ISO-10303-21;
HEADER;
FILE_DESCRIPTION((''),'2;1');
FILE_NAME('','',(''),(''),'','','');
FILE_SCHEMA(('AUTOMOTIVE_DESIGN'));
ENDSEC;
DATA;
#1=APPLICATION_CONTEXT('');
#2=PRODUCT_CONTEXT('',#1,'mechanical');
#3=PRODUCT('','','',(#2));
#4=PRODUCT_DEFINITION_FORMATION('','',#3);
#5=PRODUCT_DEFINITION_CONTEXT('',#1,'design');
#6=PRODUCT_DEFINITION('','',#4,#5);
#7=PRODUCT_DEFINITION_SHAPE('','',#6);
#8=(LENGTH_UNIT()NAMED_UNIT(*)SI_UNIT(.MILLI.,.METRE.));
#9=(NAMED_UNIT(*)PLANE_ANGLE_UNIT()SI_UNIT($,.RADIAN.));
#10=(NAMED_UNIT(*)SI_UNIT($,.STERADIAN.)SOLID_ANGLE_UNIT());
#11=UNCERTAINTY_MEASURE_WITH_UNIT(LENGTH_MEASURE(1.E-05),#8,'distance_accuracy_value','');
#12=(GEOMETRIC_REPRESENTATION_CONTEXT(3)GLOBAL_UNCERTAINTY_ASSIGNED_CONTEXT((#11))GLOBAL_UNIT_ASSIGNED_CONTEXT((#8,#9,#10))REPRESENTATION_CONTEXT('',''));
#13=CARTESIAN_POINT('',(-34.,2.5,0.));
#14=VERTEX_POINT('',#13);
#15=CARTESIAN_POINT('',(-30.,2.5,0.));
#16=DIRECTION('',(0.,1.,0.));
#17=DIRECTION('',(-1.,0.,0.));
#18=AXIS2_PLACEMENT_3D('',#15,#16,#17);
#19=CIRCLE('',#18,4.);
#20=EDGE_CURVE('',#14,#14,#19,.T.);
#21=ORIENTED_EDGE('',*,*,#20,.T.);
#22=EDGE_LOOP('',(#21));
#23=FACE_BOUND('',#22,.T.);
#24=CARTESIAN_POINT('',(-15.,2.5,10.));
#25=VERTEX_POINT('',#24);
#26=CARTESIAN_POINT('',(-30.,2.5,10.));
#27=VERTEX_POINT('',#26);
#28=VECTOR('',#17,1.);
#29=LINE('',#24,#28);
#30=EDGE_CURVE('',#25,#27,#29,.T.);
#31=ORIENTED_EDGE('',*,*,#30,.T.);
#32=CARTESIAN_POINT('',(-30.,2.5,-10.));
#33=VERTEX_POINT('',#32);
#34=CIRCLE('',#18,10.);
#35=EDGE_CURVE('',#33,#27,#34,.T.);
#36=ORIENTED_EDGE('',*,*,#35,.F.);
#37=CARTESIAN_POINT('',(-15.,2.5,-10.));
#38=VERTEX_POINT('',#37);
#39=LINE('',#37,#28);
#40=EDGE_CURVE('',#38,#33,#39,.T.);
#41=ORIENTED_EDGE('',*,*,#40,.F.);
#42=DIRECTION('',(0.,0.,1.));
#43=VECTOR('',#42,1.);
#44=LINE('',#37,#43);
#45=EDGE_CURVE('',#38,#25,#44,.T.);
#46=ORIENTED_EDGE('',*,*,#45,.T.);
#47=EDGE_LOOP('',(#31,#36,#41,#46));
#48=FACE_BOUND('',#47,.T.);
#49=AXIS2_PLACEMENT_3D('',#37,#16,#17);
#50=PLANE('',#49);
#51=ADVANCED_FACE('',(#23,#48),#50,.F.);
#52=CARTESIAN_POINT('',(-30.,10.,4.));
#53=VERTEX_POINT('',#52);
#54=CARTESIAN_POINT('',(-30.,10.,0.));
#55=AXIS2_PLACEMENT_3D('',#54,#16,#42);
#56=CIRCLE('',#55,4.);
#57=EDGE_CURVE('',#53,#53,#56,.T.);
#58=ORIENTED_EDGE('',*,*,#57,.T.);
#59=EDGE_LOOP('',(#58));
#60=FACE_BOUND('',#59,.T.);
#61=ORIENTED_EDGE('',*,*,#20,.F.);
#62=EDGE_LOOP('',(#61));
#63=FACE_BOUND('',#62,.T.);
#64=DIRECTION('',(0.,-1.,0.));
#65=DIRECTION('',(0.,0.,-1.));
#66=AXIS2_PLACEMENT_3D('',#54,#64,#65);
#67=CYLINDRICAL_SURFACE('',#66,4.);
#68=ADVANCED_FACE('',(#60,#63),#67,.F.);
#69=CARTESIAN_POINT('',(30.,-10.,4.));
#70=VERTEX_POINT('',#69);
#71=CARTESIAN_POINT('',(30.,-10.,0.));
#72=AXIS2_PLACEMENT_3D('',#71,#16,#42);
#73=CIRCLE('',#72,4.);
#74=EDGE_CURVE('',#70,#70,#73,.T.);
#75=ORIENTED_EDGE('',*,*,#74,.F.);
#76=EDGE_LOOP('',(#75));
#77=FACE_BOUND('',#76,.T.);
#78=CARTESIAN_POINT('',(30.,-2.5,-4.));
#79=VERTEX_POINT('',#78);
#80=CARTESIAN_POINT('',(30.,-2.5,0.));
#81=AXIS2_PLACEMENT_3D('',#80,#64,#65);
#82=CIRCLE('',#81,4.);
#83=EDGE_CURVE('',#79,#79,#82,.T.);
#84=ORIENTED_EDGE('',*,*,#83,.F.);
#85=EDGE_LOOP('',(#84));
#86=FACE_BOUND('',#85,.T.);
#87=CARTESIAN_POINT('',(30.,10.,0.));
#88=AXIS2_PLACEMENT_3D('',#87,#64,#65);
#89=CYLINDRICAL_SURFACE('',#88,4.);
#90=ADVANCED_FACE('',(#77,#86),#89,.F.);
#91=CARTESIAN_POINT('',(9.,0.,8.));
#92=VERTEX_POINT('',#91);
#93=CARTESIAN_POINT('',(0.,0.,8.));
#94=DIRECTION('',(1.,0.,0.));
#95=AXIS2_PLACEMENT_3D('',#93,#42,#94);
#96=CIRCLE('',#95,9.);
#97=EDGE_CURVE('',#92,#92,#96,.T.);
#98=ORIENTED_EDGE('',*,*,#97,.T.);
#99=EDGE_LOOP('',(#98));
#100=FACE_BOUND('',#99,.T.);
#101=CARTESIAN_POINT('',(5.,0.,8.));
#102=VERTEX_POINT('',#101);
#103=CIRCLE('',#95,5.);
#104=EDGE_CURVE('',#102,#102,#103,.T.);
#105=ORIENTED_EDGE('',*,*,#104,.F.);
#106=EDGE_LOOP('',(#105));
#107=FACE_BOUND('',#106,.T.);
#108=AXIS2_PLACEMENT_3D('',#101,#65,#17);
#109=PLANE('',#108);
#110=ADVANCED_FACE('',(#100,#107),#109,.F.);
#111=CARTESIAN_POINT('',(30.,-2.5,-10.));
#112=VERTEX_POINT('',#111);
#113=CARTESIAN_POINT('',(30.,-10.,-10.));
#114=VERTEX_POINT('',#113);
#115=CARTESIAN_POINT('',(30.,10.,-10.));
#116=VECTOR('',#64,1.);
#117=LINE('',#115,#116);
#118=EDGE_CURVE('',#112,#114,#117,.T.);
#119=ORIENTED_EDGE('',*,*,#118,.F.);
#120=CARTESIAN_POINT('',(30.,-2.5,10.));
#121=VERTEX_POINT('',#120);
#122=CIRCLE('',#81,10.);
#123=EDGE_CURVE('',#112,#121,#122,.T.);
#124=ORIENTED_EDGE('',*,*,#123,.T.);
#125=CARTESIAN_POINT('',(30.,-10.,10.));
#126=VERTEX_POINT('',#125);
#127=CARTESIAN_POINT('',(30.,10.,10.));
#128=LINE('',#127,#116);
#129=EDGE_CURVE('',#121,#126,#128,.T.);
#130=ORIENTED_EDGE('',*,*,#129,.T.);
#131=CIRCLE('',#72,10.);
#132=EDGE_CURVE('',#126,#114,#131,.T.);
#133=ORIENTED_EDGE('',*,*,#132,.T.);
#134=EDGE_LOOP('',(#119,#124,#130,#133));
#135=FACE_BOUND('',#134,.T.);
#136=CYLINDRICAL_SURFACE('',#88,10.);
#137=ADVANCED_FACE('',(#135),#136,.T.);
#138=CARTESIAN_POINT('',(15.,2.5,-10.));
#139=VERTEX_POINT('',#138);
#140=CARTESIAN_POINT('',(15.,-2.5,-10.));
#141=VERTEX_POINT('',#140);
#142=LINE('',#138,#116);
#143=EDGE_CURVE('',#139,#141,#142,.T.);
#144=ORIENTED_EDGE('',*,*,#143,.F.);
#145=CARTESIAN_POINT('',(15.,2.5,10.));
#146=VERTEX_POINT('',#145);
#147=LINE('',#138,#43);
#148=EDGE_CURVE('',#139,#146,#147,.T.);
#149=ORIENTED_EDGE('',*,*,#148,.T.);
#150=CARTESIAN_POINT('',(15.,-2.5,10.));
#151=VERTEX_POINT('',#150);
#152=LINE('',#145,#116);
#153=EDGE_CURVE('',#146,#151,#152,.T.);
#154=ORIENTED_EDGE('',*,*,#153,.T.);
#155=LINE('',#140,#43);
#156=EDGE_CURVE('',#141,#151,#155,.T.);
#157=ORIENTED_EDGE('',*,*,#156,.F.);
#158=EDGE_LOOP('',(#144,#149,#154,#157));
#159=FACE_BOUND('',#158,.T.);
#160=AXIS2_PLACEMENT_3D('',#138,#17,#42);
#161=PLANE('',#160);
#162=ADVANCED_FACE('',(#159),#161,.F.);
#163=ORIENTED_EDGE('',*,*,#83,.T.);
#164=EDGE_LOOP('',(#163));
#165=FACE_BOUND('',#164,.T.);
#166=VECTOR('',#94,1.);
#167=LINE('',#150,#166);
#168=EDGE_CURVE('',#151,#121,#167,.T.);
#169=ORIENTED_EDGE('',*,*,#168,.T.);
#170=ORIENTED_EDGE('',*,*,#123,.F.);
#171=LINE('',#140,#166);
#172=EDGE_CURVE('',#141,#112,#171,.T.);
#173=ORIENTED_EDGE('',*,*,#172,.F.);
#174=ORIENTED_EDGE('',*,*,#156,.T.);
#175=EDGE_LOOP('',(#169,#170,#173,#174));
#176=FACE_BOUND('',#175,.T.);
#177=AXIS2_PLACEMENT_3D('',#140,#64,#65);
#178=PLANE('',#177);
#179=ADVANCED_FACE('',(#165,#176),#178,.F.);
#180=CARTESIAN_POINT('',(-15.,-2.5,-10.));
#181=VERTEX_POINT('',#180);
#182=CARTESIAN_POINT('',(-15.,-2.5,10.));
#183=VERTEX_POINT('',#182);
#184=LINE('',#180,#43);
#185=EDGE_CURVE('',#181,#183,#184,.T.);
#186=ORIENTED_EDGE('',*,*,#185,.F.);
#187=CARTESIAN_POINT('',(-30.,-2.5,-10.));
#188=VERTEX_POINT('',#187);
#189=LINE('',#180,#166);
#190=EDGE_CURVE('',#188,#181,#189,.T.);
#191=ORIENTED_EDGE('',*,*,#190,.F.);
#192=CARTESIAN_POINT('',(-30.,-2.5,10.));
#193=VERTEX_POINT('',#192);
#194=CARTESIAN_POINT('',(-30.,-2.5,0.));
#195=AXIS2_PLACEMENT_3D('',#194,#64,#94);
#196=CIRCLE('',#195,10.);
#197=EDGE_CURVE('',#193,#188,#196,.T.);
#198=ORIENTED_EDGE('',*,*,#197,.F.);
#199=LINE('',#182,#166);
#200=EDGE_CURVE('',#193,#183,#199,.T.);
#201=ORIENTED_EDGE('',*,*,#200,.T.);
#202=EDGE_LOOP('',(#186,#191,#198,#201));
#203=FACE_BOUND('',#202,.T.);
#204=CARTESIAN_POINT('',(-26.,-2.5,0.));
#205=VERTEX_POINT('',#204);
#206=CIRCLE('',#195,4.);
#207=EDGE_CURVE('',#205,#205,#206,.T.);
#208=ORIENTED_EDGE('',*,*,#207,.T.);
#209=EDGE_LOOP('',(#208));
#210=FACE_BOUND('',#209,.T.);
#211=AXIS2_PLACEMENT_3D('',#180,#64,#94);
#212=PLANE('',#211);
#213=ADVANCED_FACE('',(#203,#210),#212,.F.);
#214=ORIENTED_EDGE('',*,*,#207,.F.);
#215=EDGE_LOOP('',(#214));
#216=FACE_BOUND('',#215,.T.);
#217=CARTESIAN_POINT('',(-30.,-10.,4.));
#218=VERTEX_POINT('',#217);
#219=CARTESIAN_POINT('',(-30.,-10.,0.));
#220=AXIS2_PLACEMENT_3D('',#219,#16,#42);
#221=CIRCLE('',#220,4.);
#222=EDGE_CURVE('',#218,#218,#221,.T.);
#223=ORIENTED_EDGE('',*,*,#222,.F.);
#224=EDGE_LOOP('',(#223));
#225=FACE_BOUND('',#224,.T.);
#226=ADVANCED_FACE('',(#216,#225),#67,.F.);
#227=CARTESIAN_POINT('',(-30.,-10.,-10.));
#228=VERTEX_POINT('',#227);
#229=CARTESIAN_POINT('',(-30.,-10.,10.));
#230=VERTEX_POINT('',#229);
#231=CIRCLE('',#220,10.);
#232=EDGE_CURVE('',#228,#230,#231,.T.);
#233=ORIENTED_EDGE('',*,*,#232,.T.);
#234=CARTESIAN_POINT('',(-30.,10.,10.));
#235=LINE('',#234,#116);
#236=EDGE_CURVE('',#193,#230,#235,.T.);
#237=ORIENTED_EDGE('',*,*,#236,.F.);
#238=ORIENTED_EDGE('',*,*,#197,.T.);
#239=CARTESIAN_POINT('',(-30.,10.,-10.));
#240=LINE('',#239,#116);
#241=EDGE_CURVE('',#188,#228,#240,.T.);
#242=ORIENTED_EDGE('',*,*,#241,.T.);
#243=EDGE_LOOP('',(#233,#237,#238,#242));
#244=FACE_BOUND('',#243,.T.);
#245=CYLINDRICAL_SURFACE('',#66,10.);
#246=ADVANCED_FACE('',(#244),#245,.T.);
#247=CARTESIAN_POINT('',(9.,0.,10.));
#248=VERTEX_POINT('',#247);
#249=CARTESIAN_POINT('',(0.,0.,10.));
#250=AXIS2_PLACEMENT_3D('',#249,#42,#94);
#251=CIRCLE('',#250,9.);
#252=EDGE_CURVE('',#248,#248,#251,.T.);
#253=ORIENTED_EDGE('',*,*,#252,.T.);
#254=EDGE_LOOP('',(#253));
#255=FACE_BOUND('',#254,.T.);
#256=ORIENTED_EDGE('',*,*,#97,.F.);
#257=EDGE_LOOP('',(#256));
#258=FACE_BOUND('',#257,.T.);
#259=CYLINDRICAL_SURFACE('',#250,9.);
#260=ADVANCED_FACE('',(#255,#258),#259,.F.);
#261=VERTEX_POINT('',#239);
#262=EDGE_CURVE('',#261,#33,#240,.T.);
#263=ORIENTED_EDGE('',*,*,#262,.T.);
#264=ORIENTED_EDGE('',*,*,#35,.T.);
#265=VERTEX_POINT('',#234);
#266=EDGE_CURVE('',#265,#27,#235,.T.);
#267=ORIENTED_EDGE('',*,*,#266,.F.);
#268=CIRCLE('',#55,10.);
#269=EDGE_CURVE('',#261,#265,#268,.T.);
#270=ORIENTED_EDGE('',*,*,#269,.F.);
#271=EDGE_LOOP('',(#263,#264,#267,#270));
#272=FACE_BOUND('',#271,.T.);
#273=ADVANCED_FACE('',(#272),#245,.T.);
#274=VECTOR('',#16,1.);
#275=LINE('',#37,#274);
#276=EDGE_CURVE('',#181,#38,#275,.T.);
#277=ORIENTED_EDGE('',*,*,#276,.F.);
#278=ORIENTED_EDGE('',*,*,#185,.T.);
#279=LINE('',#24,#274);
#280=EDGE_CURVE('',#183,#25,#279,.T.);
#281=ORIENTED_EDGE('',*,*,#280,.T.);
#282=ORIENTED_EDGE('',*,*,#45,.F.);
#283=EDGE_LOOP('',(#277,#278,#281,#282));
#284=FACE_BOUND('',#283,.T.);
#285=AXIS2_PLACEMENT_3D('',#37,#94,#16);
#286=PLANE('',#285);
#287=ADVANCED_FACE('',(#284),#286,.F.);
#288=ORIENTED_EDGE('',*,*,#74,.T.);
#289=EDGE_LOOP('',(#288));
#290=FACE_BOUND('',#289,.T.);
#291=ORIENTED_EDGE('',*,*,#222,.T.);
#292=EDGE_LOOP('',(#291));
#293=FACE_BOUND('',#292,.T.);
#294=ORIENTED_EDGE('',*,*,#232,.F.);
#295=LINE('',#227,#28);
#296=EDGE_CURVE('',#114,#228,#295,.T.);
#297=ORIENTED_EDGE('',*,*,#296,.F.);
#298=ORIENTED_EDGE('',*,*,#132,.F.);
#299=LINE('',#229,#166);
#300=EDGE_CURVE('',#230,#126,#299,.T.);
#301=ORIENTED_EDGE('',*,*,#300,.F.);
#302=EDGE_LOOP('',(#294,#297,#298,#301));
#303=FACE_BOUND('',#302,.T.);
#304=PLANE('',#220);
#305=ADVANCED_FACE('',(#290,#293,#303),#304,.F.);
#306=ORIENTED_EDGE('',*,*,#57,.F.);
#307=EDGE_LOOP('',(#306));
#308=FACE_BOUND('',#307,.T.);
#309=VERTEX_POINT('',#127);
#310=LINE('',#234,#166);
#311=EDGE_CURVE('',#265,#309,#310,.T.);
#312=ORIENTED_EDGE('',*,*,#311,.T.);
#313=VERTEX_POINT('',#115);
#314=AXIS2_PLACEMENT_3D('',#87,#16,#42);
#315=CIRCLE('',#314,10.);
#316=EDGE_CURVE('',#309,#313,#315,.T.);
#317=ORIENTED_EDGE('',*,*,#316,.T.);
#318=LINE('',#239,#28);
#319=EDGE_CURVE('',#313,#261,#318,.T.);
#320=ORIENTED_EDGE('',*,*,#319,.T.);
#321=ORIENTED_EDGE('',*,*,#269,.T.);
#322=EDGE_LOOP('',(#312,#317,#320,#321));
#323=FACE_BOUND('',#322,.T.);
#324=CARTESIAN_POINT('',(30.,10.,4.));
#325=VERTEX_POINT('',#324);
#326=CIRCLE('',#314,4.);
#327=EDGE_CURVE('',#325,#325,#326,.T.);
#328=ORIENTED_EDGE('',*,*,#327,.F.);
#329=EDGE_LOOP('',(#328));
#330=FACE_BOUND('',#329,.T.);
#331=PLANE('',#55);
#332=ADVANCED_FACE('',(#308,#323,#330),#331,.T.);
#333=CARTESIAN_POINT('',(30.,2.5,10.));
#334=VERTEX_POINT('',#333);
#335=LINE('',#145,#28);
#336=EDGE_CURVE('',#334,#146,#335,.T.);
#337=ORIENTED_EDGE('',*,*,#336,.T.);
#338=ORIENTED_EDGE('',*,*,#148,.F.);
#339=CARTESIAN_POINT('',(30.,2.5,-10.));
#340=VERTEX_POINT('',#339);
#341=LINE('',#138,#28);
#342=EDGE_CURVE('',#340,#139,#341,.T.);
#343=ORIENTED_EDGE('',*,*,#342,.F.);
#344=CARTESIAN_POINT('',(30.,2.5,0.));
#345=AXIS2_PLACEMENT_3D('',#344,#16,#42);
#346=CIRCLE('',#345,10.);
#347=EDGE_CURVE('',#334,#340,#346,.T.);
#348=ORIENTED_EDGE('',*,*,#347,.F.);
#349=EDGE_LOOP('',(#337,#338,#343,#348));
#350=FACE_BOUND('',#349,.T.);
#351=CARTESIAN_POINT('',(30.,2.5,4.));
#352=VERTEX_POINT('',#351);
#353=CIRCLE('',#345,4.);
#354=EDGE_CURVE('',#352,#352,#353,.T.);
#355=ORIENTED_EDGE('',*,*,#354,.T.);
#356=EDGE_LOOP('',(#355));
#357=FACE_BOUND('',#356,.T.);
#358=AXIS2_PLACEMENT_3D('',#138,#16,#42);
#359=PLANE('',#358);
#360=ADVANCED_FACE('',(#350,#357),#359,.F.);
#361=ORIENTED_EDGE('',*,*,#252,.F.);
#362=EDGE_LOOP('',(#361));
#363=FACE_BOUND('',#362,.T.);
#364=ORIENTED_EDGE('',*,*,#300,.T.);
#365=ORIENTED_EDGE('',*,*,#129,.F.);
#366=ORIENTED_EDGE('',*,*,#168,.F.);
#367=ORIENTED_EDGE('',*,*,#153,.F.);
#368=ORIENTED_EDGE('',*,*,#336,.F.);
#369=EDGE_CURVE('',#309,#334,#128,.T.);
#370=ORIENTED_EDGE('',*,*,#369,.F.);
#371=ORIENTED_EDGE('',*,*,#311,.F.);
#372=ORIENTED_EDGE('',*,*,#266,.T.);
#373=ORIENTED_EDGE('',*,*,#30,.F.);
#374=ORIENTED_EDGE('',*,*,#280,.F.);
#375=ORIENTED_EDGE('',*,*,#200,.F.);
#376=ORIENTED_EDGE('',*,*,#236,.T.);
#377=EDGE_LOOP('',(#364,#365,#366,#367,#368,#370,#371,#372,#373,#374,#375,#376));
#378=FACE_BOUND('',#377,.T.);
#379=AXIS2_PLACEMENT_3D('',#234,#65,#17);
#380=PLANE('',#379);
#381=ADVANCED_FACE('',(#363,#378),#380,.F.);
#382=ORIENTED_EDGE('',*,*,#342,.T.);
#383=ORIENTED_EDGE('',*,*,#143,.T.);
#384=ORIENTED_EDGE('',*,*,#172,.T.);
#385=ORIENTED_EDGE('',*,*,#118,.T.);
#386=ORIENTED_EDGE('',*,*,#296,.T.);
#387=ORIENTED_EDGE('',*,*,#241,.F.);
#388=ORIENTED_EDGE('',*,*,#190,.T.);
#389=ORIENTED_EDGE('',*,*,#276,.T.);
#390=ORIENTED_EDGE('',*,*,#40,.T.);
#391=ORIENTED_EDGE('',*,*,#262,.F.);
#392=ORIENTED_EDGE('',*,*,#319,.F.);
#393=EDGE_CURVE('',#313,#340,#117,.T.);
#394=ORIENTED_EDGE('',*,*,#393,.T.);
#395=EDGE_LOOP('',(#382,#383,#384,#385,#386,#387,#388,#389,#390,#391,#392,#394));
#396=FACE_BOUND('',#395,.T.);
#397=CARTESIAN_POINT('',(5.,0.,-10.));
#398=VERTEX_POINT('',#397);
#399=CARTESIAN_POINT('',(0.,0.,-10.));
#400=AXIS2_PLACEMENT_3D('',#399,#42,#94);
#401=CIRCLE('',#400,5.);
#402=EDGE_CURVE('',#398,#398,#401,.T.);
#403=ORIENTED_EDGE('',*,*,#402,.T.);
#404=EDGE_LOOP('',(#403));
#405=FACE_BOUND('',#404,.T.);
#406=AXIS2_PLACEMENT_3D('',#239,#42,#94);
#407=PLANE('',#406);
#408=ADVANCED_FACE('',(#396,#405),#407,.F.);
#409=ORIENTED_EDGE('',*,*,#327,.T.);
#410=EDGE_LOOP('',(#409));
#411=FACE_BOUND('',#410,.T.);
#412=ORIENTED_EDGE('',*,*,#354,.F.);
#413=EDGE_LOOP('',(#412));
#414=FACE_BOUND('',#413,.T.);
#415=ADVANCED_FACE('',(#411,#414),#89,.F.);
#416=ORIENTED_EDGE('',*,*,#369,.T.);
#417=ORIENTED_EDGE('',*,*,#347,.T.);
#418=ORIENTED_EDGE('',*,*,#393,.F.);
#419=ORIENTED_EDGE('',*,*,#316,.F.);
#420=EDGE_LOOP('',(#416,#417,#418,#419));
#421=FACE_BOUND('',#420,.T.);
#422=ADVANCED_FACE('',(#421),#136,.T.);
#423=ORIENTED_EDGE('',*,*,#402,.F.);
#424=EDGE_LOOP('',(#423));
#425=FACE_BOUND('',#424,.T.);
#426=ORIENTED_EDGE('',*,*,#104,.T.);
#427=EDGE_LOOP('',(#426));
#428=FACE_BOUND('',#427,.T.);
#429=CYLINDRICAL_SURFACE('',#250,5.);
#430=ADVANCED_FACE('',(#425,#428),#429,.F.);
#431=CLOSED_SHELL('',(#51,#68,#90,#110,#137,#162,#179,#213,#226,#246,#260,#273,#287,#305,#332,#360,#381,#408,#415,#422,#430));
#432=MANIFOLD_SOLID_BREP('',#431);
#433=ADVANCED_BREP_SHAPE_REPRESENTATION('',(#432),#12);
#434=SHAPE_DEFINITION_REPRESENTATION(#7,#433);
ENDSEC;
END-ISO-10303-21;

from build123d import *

# Parameters (mm, degrees)
SKETCH_1_R                = 4
EXTRUDE_1_DEPTH           = 10
SKETCH_2_W                = 25
SKETCH_2_H                = 5
CUT_EXTRUDE_1_DEPTH       = 46.82575695
HOLE_WIZARD_1_D           = 10
HOLE_WIZARD_1_CBORE_D     = 18
HOLE_WIZARD_1_CBORE_DEPTH = 2


with BuildPart() as part:
    # 草图1 → 凸台-拉伸1 (new, symmetric)
    with BuildSketch(Plane(origin=(0, 0, 0), x_dir=(1, 0, 0), z_dir=(0, 1, 0))):
        with BuildLine():
            Line((-30, 10), (30, 10))
            ThreePointArc((30, 10), (40, 0), (30, -10))
            Line((30, -10), (-30, -10))
            ThreePointArc((-30, -10), (-40, 0), (-30, 10))
        make_face()
        with Locations(Location((-30, 0, 0), (0, 0, 270))):
            Circle(SKETCH_1_R, mode=Mode.SUBTRACT)
        with Locations(Location((30, 0, 0), (0, 0, 270))):
            Circle(SKETCH_1_R, mode=Mode.SUBTRACT)
    extrude(amount=EXTRUDE_1_DEPTH, both=True)

    # 草图2 → 切除-拉伸1 (cut, through all)
    with BuildSketch(Plane.XY.offset(10)):
        with Locations((27.5, 0)):
            Rectangle(SKETCH_2_W, SKETCH_2_H)
        with Locations((-27.5, 0)):
            Rectangle(SKETCH_2_W, SKETCH_2_H)
    extrude(amount=-CUT_EXTRUDE_1_DEPTH, mode=Mode.SUBTRACT)

    # 孔1 (through all)
    with Locations(Plane.XY.offset(10)):
        with Locations((0, 0)):
            CounterBoreHole(HOLE_WIZARD_1_D / 2, HOLE_WIZARD_1_CBORE_D / 2, HOLE_WIZARD_1_CBORE_DEPTH)


solid = part.part
